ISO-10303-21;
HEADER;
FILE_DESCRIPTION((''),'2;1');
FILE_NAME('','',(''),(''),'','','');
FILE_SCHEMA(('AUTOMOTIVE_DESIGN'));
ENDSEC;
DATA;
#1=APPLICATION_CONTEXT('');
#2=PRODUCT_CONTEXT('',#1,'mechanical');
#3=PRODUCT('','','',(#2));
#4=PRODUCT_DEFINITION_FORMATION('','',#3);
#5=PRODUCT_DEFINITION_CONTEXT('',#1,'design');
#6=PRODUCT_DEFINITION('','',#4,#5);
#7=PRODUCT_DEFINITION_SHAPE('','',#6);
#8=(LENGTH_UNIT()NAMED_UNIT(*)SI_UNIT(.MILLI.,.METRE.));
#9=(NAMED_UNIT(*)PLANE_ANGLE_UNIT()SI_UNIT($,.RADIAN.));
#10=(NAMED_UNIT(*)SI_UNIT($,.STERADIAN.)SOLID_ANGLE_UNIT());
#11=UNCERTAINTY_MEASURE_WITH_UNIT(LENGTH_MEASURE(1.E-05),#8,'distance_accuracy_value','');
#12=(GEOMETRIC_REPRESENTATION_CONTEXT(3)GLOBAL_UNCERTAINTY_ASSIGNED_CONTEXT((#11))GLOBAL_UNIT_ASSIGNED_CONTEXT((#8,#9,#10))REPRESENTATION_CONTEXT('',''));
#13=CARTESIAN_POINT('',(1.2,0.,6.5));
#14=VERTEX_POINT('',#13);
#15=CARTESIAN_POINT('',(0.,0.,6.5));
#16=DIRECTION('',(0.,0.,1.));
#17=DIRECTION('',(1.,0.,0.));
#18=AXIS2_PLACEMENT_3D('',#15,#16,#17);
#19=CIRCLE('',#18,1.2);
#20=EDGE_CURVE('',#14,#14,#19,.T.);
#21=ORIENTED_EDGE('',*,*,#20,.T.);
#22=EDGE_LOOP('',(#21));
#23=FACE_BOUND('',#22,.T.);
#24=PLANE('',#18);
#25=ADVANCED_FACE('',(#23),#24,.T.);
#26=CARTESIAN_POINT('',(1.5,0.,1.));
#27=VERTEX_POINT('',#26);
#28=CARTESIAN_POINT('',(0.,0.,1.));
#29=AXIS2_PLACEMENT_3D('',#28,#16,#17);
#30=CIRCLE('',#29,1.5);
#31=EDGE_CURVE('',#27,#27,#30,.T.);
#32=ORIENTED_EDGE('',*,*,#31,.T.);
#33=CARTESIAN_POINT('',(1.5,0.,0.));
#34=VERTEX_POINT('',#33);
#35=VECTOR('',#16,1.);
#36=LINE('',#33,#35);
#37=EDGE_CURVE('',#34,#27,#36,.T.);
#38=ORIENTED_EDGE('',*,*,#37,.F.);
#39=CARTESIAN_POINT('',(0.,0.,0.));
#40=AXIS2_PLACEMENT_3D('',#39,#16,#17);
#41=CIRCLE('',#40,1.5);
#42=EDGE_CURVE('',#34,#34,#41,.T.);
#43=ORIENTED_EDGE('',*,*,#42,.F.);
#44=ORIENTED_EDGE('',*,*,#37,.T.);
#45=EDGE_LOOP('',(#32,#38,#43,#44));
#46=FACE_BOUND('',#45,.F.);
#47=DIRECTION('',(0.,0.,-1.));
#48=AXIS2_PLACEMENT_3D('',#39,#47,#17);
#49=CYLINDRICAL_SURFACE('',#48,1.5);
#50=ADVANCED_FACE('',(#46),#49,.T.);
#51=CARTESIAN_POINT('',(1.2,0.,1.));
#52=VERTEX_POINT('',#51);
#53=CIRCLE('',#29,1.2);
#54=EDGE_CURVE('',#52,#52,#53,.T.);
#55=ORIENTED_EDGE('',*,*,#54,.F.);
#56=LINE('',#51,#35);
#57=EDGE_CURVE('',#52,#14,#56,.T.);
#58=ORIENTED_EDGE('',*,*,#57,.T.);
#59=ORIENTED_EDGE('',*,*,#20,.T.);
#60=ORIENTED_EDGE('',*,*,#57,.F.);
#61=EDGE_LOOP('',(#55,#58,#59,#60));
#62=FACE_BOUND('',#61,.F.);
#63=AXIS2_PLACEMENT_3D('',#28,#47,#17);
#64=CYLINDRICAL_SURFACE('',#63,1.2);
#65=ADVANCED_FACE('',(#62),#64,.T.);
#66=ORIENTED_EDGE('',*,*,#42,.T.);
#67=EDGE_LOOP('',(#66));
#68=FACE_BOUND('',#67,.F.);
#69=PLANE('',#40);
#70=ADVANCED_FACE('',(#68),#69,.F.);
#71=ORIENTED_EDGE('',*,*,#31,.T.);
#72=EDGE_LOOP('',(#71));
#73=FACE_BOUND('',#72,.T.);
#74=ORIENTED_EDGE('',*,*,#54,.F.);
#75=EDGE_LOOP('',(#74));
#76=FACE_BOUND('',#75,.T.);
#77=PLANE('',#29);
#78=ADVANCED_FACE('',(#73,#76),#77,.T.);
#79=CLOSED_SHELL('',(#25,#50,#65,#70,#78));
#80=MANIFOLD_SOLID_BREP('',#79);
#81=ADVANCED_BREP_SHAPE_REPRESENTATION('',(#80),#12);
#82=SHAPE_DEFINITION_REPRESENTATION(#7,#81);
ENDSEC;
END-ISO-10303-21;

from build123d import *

# Parameters (mm, degrees)
SKETCH_R     = 1.5
PAD_DEPTH    = 1
SKETCH001_R  = 1.2
PAD001_DEPTH = 5.5


with BuildPart() as part:
    # Sketch → Pad (new body)
    with BuildSketch(Plane.XY):
        Circle(SKETCH_R)
    extrude(amount=PAD_DEPTH)

    # Sketch001 → Pad001 (new body)
    with BuildSketch(Plane.XY.offset(1)):
        Circle(SKETCH001_R)
    extrude(amount=PAD001_DEPTH)


solid = part.part
